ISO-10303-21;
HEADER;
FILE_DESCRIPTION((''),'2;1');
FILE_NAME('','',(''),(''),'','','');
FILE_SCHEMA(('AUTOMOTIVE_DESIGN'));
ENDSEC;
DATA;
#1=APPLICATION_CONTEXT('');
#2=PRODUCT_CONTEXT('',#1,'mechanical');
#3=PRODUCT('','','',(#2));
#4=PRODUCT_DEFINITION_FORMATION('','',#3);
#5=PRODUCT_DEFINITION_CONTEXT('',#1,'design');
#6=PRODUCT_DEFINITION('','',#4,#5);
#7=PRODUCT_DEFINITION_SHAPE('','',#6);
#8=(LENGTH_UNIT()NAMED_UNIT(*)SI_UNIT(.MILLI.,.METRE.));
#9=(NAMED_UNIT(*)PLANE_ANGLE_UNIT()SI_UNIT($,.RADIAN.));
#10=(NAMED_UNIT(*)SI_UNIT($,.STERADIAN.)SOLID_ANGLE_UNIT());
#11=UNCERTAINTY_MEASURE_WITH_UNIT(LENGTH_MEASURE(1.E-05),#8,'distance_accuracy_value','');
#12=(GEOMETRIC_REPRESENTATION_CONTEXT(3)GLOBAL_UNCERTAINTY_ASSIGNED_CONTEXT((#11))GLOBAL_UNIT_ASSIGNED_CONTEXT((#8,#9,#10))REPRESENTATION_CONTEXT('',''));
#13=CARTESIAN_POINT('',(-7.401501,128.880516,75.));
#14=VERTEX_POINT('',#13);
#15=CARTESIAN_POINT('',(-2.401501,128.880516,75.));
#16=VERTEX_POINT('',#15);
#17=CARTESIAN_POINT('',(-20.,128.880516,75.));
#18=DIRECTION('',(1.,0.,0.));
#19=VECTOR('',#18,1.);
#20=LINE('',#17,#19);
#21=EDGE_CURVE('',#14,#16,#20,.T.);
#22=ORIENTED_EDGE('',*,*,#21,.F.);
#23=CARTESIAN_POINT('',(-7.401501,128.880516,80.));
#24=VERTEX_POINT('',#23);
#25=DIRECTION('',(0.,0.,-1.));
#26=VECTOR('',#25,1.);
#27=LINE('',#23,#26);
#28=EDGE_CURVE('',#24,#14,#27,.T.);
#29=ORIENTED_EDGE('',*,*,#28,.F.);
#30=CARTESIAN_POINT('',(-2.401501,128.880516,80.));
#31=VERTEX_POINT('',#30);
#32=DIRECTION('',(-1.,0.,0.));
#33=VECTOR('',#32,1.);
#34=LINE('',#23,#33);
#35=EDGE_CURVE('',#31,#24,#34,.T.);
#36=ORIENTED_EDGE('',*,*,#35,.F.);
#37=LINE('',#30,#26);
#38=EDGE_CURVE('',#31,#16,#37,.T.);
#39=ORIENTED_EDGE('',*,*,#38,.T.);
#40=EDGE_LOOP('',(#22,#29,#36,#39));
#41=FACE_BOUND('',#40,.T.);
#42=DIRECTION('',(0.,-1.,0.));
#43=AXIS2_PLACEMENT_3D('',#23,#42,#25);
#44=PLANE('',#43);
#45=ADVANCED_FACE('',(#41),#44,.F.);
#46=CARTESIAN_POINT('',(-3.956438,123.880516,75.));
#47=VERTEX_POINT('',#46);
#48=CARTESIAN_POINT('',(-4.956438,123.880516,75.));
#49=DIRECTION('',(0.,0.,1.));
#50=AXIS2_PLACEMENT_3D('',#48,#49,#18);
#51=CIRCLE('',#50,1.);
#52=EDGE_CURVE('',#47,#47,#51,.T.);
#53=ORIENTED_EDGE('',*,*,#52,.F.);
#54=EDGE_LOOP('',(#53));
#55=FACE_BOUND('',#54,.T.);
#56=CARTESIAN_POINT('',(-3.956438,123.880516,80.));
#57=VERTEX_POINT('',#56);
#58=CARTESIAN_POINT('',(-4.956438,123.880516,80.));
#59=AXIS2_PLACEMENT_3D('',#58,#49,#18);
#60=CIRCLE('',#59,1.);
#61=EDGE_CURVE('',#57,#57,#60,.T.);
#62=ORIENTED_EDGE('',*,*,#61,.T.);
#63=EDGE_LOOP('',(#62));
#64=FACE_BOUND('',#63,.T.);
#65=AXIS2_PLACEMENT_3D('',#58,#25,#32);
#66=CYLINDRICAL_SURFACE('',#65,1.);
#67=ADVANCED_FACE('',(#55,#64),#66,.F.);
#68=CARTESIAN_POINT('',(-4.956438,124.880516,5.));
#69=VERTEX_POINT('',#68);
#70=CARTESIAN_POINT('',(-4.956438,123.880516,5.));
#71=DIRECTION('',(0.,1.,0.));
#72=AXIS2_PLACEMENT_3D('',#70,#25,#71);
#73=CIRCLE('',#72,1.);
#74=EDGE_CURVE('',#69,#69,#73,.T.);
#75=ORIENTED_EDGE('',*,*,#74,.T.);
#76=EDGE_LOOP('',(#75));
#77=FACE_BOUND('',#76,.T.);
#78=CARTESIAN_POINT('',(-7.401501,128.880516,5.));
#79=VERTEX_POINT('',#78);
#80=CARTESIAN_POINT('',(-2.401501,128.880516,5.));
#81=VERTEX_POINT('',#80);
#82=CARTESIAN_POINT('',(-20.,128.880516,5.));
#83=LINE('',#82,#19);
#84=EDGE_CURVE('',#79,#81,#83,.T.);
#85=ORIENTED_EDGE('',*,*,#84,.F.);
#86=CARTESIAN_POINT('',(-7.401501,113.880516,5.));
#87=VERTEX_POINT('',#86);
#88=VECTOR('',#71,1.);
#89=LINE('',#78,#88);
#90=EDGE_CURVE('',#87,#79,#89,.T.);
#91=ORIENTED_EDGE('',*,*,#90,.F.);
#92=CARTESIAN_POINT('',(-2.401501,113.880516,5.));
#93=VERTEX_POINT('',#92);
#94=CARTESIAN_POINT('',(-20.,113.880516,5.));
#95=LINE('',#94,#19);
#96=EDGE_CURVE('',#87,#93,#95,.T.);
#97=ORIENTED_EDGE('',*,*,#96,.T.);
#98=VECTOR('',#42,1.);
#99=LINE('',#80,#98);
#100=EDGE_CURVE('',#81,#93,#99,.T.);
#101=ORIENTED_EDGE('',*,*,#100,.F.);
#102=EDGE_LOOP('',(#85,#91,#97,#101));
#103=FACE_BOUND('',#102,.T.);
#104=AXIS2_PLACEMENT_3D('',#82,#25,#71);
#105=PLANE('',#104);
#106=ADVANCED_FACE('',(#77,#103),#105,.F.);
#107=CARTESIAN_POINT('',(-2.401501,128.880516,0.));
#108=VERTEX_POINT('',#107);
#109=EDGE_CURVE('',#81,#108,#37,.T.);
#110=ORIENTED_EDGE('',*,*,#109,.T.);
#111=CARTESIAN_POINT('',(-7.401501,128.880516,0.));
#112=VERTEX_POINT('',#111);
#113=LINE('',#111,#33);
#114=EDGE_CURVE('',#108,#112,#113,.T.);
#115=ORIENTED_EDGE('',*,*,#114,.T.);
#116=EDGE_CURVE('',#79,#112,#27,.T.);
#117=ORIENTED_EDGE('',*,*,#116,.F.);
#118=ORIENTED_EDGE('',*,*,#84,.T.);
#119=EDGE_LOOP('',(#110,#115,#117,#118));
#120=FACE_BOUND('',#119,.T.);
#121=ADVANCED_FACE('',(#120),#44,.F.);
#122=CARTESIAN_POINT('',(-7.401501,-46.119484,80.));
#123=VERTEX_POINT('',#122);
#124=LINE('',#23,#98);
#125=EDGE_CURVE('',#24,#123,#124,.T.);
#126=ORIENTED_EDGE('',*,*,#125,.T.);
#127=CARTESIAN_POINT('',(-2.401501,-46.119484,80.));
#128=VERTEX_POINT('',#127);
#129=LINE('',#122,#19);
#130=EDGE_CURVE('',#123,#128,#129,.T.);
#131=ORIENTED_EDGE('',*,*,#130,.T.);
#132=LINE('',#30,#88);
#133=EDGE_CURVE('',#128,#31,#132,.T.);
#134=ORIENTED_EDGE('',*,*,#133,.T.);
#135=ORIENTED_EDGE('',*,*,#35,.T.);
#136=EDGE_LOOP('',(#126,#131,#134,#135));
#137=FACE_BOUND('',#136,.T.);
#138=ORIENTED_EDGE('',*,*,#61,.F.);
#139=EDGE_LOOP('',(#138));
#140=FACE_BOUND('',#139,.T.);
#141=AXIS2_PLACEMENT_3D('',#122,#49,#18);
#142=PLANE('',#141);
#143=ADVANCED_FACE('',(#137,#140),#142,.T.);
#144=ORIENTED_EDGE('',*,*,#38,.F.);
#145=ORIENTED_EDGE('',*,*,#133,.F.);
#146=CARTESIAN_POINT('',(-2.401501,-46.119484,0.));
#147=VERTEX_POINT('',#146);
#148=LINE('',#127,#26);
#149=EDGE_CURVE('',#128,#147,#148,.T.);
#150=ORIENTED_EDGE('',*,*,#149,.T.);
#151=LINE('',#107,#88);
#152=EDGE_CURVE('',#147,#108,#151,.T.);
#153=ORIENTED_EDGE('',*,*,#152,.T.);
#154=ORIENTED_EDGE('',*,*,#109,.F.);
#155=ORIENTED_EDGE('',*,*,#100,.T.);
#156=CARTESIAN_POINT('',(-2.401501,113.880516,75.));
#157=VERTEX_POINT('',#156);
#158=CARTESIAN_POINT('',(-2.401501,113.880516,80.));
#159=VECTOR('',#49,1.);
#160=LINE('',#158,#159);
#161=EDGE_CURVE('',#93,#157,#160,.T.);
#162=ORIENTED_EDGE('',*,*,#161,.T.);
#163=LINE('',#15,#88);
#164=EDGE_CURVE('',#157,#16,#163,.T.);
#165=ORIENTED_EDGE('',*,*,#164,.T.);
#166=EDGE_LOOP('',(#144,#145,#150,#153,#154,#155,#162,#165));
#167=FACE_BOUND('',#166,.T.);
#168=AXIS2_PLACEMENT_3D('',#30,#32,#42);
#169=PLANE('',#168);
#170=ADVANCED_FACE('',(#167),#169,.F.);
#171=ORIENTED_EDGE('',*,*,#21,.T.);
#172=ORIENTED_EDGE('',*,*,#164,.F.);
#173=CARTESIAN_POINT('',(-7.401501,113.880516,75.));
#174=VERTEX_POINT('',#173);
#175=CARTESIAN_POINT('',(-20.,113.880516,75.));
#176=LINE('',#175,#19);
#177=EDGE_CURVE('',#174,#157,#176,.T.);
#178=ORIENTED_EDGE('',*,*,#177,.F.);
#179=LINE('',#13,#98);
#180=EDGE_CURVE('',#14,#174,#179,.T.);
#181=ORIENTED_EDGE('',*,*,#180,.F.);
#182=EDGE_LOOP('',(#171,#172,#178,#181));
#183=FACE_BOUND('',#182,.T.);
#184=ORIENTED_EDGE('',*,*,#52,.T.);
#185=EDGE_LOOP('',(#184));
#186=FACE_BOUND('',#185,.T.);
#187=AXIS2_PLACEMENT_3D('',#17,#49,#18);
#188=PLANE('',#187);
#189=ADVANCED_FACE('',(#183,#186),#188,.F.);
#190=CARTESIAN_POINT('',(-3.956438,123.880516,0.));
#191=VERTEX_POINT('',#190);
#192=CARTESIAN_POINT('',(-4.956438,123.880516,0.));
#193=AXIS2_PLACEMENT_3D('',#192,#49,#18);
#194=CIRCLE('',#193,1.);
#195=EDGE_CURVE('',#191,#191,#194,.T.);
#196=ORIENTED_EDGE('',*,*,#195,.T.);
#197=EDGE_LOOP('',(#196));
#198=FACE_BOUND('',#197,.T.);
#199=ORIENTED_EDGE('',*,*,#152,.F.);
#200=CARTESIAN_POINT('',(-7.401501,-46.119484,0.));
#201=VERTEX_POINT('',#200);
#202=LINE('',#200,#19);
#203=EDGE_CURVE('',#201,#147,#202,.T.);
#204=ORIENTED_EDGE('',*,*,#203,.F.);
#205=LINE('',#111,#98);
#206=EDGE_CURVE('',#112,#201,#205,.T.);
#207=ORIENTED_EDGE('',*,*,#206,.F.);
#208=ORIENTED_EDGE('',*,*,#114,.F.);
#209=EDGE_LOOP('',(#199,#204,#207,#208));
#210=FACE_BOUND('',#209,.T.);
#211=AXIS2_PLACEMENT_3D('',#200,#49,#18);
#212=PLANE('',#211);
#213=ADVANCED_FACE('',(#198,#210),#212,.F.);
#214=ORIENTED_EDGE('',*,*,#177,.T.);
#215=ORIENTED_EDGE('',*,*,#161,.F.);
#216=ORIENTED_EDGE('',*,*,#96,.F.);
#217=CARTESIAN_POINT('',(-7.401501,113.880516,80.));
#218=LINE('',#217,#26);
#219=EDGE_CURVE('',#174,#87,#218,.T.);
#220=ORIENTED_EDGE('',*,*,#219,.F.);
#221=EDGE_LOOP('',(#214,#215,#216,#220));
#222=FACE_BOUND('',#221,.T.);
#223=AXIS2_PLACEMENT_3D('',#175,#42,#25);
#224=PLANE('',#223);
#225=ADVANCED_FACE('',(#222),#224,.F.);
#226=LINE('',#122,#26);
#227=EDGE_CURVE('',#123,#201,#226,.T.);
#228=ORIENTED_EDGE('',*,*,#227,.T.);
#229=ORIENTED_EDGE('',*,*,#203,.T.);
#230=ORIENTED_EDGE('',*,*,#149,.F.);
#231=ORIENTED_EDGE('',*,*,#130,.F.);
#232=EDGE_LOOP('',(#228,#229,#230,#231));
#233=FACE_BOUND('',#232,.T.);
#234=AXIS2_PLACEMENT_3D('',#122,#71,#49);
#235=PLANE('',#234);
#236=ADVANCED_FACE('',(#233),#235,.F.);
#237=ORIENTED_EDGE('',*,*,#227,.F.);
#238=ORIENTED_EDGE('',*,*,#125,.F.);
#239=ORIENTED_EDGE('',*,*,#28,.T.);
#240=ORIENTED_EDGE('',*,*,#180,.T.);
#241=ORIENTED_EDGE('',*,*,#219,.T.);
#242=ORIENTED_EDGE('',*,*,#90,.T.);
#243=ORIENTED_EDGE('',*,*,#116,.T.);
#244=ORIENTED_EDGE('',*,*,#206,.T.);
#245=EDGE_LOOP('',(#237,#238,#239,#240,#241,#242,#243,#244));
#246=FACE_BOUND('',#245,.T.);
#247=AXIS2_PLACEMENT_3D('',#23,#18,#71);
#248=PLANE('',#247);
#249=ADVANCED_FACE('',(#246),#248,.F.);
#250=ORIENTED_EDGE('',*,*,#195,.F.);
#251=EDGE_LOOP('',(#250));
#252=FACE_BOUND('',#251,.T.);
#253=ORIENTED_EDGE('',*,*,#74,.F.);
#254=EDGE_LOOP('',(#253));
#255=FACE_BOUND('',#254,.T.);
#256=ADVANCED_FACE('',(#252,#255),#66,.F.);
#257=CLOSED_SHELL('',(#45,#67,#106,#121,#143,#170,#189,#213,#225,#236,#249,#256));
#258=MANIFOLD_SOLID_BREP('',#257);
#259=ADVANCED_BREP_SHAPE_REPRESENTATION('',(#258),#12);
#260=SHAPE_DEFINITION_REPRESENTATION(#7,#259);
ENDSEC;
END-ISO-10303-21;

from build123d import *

# Parameters (mm, degrees)
ESQUISSE1_W             = 5
ESQUISSE1_H             = 175
ESQUISSE1_R             = 1
BOSS_EXTRU_1_DEPTH      = 80
ESQUISSE2_W             = 70
ESQUISSE2_H             = 15
ENL_V_MAT_EXTRU_1_DEPTH = 20


with BuildPart() as part:
    # Esquisse1 → Boss.-Extru.1 (new body)
    with BuildSketch(Plane.XY):
        with Locations((-4.901501369, 41.380516432)):
            Rectangle(ESQUISSE1_W, ESQUISSE1_H)
        with Locations((-4.956438342, 123.880516432)):
            Circle(ESQUISSE1_R, mode=Mode.SUBTRACT)
    extrude(amount=BOSS_EXTRU_1_DEPTH)

    # Esquisse2 → Enlèv. mat.-Extru.1 (cut)
    with BuildSketch(Plane(origin=(0, 0, 0), x_dir=(0, 0, -1), z_dir=(1, 0, 0))):
        with Locations((-40, 121.380516432)):
            Rectangle(ESQUISSE2_W, ESQUISSE2_H)
    extrude(amount=-ENL_V_MAT_EXTRU_1_DEPTH, mode=Mode.SUBTRACT)


solid = part.part
